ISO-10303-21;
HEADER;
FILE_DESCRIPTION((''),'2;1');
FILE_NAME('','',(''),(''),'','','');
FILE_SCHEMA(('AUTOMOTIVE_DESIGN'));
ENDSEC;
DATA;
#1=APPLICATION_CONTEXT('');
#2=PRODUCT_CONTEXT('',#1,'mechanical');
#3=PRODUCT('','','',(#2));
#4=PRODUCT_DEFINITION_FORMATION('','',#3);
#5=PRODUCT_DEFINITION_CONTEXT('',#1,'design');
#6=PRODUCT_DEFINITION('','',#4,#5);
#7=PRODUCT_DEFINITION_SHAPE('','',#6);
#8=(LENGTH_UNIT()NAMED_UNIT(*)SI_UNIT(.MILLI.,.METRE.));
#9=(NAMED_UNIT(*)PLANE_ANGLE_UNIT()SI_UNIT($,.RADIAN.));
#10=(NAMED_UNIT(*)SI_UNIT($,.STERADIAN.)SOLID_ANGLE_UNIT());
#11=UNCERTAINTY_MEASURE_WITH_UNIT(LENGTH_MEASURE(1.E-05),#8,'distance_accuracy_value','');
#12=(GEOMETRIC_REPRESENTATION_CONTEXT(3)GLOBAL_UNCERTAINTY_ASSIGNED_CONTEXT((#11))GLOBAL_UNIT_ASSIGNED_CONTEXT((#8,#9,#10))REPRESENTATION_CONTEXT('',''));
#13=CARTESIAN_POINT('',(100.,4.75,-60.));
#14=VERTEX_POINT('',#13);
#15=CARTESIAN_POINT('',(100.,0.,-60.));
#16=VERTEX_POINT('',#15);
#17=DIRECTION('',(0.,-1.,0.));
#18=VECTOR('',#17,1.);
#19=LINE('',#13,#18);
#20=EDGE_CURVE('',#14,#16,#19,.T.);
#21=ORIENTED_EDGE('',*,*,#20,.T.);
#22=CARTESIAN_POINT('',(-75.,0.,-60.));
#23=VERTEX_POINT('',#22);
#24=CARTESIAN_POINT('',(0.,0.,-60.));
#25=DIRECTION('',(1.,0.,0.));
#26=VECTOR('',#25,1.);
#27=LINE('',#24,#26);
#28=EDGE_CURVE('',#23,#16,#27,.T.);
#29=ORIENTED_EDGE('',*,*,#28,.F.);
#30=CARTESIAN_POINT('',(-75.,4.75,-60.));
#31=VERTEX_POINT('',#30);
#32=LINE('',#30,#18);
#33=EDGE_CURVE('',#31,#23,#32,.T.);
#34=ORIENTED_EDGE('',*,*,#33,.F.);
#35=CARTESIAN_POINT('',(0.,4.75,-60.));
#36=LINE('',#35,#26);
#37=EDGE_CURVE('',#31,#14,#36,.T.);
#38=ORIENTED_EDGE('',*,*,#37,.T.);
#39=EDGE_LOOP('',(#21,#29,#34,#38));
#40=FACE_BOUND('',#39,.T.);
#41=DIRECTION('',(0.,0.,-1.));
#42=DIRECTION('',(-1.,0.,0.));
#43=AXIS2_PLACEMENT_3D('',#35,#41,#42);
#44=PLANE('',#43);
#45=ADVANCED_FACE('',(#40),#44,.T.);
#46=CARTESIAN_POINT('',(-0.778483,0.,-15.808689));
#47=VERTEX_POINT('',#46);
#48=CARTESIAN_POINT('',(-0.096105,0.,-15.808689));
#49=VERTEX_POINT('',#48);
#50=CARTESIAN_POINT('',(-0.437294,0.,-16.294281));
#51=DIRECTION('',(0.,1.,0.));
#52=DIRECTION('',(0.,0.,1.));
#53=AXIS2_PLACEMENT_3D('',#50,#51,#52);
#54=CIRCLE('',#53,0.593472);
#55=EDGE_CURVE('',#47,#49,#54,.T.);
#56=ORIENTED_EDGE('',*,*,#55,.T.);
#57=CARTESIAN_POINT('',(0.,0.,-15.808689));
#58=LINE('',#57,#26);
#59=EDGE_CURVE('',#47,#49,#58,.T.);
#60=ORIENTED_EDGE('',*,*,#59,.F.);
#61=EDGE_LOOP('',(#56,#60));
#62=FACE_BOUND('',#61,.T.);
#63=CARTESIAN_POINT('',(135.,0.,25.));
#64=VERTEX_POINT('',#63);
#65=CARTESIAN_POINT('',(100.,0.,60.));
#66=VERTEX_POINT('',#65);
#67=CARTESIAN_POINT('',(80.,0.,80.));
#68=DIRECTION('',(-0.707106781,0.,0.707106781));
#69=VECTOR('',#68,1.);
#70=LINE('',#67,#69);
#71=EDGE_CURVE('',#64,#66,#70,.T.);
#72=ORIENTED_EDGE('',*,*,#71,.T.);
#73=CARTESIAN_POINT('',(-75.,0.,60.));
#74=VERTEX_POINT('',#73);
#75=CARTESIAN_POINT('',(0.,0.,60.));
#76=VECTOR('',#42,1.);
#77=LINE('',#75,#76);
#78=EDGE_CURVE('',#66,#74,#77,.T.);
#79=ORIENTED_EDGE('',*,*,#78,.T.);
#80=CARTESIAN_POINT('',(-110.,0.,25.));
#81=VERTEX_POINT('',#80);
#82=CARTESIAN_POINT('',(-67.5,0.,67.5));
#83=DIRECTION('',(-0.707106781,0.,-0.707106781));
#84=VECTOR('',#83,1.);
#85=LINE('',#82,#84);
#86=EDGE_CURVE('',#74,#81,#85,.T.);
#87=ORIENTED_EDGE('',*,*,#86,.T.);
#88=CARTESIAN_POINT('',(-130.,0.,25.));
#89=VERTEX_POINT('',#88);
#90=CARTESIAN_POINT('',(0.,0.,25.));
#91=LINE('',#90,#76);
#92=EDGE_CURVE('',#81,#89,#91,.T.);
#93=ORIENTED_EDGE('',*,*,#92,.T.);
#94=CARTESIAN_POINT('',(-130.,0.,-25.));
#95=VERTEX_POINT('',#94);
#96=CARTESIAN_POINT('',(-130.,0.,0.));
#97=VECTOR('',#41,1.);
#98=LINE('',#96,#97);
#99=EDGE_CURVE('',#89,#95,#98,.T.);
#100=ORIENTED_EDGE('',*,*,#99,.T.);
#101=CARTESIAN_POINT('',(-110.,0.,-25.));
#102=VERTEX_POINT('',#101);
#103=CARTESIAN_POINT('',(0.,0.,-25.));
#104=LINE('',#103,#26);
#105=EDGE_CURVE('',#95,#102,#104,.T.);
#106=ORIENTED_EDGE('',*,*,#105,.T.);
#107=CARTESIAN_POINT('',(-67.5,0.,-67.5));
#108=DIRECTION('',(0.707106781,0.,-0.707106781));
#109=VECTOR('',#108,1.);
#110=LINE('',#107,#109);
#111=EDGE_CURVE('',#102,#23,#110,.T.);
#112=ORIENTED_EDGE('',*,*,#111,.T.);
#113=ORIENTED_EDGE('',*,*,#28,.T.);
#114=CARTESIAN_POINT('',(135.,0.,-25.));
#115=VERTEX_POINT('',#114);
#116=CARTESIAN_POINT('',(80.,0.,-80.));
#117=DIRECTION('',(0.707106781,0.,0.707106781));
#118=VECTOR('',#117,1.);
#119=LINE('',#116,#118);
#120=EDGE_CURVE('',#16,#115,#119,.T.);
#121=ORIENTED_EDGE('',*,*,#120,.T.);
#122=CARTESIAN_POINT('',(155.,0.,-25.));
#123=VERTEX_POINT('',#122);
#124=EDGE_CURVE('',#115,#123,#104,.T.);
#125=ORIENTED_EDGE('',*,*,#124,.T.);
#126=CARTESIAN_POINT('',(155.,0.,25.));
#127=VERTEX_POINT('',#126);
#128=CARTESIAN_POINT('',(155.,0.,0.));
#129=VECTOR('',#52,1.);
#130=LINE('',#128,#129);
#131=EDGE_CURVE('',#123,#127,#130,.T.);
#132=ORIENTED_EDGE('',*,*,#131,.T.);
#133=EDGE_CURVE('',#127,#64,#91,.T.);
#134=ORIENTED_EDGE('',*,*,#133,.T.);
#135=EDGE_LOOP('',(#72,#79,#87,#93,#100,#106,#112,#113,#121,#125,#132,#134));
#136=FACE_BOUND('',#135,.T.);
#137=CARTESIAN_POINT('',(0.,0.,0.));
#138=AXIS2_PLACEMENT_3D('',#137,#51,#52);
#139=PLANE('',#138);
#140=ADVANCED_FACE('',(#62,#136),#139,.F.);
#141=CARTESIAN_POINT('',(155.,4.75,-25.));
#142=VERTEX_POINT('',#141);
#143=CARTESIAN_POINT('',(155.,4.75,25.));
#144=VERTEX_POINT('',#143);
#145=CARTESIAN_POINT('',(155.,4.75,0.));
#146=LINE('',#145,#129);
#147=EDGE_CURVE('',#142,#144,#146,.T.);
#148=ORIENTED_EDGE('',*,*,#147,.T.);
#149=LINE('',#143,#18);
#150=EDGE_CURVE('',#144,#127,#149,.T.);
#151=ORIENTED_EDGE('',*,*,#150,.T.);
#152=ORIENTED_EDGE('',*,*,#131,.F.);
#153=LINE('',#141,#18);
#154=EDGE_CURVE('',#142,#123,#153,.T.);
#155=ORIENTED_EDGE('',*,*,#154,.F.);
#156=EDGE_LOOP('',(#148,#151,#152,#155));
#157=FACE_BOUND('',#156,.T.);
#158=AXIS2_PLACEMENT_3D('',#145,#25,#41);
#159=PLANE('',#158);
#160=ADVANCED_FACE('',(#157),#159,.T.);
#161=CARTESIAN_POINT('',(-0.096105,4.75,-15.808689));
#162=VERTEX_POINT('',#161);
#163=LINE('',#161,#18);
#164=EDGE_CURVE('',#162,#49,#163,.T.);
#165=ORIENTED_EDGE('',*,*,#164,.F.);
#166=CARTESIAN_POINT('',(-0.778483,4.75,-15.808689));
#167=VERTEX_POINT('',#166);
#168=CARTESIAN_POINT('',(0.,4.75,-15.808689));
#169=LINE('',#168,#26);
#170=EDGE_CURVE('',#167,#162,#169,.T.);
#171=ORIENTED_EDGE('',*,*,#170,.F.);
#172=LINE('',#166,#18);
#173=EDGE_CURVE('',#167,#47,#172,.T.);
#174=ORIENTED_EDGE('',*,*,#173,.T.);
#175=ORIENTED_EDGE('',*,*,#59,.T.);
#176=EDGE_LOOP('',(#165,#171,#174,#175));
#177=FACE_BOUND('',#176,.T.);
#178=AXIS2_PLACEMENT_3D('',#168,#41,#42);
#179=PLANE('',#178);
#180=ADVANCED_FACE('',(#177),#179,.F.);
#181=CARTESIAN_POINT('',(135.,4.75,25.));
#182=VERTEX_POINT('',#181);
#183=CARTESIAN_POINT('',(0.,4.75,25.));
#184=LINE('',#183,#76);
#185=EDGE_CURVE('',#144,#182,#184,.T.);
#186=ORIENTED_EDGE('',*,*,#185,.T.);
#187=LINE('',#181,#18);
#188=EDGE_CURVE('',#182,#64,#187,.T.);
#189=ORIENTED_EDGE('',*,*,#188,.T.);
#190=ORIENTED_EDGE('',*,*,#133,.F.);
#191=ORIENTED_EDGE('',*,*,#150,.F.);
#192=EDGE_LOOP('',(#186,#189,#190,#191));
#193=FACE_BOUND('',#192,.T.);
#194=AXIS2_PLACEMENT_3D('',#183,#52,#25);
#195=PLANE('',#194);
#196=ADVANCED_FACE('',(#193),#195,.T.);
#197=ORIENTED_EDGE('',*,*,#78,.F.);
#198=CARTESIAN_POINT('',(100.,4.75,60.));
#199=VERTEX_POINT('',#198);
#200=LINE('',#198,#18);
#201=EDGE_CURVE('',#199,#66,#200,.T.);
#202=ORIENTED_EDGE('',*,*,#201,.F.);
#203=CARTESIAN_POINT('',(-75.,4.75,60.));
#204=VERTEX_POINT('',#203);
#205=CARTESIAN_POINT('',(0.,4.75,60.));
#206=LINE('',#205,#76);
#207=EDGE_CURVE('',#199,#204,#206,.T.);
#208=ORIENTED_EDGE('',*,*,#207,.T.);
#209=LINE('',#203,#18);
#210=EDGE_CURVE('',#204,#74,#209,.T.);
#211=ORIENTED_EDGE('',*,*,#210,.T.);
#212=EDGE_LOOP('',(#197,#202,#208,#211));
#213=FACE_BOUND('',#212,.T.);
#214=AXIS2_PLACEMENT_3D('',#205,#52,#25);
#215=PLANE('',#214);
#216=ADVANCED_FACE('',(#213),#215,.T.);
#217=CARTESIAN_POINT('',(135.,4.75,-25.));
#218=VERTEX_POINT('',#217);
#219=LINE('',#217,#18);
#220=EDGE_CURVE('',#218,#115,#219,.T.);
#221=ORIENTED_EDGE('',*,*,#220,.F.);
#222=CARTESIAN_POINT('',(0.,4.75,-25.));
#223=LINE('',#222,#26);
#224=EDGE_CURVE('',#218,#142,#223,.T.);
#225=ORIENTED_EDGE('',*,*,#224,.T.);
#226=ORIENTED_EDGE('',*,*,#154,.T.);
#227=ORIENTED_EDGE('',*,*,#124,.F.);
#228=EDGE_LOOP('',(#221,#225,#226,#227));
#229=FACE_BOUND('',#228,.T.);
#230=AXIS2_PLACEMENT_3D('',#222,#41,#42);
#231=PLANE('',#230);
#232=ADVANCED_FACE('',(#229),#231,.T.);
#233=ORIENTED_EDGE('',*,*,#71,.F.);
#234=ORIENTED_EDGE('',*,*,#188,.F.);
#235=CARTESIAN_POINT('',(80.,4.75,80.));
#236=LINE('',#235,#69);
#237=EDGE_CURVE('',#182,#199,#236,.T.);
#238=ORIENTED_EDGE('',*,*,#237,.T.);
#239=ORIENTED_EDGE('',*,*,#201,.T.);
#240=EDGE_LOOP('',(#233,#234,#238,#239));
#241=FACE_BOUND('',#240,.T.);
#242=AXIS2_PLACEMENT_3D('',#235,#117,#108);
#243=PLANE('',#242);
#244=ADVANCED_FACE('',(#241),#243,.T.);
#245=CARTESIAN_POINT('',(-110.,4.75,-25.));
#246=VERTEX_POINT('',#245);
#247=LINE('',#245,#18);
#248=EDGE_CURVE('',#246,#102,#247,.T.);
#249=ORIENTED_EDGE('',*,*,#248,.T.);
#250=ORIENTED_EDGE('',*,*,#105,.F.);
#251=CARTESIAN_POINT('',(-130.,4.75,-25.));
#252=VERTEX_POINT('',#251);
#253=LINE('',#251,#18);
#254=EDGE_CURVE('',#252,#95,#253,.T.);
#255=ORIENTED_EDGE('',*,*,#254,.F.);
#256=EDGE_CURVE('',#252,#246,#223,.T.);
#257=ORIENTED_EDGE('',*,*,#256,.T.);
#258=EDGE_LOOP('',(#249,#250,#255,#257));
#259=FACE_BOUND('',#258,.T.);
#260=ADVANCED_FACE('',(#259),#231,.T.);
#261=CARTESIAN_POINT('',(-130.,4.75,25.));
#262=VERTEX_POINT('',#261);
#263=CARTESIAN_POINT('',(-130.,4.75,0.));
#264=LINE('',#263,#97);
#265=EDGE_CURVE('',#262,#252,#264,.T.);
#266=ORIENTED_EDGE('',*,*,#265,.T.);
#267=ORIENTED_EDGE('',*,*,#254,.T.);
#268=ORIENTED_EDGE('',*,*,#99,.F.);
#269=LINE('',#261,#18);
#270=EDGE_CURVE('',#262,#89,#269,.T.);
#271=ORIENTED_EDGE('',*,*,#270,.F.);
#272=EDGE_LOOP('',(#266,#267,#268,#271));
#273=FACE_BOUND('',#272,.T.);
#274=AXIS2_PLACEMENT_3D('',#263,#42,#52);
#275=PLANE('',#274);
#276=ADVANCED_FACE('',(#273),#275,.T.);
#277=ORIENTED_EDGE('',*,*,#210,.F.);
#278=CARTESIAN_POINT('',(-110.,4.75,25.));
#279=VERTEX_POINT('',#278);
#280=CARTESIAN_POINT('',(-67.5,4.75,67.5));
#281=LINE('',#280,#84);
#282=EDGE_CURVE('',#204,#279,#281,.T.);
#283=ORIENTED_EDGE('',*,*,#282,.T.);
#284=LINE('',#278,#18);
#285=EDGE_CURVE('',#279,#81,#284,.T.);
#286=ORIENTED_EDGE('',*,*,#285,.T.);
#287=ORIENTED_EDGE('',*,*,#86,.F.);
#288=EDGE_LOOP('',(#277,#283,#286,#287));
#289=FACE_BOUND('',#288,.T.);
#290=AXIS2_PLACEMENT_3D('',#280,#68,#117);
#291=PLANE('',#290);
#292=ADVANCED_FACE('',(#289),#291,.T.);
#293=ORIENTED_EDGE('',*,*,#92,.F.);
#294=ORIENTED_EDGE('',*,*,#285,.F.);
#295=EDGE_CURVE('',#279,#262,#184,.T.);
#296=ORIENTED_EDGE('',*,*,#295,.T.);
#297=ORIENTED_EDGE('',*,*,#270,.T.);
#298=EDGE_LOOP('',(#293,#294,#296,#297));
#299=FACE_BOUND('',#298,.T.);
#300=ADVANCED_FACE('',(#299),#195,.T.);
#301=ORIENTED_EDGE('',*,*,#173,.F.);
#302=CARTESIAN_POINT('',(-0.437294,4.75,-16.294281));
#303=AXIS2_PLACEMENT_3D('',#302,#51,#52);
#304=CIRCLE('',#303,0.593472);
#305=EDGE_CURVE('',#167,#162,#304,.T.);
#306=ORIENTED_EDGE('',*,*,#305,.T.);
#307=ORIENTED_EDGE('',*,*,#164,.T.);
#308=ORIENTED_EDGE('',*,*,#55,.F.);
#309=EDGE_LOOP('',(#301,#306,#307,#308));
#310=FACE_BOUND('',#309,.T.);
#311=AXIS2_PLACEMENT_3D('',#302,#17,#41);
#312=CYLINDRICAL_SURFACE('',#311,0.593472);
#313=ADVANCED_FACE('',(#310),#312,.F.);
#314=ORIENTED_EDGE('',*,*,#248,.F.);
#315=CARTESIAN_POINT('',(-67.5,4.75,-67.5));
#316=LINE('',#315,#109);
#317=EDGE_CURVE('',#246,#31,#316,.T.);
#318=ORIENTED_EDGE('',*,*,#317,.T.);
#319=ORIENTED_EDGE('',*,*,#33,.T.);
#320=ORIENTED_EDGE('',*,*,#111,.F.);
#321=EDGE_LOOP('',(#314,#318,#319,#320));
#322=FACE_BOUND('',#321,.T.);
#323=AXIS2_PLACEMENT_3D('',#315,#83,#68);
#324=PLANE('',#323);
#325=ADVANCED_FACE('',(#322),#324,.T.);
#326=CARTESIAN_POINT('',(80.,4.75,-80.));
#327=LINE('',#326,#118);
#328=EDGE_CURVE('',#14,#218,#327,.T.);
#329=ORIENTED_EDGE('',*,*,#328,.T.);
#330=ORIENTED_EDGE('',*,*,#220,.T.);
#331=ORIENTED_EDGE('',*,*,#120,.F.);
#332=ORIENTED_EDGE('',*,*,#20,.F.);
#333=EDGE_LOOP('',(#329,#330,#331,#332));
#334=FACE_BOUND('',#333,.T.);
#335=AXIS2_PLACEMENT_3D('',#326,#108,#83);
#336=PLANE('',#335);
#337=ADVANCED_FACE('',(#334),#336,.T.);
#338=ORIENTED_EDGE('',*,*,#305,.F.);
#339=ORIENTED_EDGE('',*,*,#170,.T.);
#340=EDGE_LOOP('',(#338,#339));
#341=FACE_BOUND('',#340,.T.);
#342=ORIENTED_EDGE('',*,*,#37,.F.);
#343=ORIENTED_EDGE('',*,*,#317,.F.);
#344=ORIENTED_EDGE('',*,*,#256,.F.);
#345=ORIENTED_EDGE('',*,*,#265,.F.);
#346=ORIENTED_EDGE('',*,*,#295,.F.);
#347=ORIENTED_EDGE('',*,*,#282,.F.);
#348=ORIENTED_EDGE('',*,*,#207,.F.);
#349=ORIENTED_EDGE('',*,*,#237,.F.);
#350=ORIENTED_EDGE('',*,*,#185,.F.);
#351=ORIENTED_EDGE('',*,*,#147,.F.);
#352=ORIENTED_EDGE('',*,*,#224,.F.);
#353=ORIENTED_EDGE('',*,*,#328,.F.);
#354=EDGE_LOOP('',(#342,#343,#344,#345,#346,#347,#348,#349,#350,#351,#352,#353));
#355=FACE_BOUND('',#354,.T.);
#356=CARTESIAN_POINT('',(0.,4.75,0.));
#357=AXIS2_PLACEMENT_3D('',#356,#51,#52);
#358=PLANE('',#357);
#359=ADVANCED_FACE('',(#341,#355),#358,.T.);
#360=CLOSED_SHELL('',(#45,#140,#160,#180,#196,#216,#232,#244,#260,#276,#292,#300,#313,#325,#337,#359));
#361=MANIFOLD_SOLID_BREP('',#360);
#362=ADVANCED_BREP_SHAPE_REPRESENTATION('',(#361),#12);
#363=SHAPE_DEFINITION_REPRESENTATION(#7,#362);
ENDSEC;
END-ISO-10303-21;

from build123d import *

# Parameters (mm, degrees)
BOSS_EXTRUDE2_DEPTH = 4.75


with BuildPart() as part:
    # Sketch1 → Boss-Extrude2 (new body)
    with BuildSketch(Plane(origin=(0, 0, 0), x_dir=(1, 0, 0), z_dir=(0, 1, 0))):
        Polygon((100, 60), (-75, 60), (-110, 25), (-130, 25), (-130, -25), (-110, -25), (-75, -60), (100, -60), (135, -25), (155, -25), (155, 25), (135, 25), align=None)
        with BuildLine():
            ThreePointArc((-0.096105451, 15.808688779), (-0.437294407, 15.700808335), (-0.778483364, 15.808688779))
            Line((-0.778483364, 15.808688779), (-0.096105451, 15.808688779))
        make_face(mode=Mode.SUBTRACT)
    extrude(amount=BOSS_EXTRUDE2_DEPTH)


solid = part.part
